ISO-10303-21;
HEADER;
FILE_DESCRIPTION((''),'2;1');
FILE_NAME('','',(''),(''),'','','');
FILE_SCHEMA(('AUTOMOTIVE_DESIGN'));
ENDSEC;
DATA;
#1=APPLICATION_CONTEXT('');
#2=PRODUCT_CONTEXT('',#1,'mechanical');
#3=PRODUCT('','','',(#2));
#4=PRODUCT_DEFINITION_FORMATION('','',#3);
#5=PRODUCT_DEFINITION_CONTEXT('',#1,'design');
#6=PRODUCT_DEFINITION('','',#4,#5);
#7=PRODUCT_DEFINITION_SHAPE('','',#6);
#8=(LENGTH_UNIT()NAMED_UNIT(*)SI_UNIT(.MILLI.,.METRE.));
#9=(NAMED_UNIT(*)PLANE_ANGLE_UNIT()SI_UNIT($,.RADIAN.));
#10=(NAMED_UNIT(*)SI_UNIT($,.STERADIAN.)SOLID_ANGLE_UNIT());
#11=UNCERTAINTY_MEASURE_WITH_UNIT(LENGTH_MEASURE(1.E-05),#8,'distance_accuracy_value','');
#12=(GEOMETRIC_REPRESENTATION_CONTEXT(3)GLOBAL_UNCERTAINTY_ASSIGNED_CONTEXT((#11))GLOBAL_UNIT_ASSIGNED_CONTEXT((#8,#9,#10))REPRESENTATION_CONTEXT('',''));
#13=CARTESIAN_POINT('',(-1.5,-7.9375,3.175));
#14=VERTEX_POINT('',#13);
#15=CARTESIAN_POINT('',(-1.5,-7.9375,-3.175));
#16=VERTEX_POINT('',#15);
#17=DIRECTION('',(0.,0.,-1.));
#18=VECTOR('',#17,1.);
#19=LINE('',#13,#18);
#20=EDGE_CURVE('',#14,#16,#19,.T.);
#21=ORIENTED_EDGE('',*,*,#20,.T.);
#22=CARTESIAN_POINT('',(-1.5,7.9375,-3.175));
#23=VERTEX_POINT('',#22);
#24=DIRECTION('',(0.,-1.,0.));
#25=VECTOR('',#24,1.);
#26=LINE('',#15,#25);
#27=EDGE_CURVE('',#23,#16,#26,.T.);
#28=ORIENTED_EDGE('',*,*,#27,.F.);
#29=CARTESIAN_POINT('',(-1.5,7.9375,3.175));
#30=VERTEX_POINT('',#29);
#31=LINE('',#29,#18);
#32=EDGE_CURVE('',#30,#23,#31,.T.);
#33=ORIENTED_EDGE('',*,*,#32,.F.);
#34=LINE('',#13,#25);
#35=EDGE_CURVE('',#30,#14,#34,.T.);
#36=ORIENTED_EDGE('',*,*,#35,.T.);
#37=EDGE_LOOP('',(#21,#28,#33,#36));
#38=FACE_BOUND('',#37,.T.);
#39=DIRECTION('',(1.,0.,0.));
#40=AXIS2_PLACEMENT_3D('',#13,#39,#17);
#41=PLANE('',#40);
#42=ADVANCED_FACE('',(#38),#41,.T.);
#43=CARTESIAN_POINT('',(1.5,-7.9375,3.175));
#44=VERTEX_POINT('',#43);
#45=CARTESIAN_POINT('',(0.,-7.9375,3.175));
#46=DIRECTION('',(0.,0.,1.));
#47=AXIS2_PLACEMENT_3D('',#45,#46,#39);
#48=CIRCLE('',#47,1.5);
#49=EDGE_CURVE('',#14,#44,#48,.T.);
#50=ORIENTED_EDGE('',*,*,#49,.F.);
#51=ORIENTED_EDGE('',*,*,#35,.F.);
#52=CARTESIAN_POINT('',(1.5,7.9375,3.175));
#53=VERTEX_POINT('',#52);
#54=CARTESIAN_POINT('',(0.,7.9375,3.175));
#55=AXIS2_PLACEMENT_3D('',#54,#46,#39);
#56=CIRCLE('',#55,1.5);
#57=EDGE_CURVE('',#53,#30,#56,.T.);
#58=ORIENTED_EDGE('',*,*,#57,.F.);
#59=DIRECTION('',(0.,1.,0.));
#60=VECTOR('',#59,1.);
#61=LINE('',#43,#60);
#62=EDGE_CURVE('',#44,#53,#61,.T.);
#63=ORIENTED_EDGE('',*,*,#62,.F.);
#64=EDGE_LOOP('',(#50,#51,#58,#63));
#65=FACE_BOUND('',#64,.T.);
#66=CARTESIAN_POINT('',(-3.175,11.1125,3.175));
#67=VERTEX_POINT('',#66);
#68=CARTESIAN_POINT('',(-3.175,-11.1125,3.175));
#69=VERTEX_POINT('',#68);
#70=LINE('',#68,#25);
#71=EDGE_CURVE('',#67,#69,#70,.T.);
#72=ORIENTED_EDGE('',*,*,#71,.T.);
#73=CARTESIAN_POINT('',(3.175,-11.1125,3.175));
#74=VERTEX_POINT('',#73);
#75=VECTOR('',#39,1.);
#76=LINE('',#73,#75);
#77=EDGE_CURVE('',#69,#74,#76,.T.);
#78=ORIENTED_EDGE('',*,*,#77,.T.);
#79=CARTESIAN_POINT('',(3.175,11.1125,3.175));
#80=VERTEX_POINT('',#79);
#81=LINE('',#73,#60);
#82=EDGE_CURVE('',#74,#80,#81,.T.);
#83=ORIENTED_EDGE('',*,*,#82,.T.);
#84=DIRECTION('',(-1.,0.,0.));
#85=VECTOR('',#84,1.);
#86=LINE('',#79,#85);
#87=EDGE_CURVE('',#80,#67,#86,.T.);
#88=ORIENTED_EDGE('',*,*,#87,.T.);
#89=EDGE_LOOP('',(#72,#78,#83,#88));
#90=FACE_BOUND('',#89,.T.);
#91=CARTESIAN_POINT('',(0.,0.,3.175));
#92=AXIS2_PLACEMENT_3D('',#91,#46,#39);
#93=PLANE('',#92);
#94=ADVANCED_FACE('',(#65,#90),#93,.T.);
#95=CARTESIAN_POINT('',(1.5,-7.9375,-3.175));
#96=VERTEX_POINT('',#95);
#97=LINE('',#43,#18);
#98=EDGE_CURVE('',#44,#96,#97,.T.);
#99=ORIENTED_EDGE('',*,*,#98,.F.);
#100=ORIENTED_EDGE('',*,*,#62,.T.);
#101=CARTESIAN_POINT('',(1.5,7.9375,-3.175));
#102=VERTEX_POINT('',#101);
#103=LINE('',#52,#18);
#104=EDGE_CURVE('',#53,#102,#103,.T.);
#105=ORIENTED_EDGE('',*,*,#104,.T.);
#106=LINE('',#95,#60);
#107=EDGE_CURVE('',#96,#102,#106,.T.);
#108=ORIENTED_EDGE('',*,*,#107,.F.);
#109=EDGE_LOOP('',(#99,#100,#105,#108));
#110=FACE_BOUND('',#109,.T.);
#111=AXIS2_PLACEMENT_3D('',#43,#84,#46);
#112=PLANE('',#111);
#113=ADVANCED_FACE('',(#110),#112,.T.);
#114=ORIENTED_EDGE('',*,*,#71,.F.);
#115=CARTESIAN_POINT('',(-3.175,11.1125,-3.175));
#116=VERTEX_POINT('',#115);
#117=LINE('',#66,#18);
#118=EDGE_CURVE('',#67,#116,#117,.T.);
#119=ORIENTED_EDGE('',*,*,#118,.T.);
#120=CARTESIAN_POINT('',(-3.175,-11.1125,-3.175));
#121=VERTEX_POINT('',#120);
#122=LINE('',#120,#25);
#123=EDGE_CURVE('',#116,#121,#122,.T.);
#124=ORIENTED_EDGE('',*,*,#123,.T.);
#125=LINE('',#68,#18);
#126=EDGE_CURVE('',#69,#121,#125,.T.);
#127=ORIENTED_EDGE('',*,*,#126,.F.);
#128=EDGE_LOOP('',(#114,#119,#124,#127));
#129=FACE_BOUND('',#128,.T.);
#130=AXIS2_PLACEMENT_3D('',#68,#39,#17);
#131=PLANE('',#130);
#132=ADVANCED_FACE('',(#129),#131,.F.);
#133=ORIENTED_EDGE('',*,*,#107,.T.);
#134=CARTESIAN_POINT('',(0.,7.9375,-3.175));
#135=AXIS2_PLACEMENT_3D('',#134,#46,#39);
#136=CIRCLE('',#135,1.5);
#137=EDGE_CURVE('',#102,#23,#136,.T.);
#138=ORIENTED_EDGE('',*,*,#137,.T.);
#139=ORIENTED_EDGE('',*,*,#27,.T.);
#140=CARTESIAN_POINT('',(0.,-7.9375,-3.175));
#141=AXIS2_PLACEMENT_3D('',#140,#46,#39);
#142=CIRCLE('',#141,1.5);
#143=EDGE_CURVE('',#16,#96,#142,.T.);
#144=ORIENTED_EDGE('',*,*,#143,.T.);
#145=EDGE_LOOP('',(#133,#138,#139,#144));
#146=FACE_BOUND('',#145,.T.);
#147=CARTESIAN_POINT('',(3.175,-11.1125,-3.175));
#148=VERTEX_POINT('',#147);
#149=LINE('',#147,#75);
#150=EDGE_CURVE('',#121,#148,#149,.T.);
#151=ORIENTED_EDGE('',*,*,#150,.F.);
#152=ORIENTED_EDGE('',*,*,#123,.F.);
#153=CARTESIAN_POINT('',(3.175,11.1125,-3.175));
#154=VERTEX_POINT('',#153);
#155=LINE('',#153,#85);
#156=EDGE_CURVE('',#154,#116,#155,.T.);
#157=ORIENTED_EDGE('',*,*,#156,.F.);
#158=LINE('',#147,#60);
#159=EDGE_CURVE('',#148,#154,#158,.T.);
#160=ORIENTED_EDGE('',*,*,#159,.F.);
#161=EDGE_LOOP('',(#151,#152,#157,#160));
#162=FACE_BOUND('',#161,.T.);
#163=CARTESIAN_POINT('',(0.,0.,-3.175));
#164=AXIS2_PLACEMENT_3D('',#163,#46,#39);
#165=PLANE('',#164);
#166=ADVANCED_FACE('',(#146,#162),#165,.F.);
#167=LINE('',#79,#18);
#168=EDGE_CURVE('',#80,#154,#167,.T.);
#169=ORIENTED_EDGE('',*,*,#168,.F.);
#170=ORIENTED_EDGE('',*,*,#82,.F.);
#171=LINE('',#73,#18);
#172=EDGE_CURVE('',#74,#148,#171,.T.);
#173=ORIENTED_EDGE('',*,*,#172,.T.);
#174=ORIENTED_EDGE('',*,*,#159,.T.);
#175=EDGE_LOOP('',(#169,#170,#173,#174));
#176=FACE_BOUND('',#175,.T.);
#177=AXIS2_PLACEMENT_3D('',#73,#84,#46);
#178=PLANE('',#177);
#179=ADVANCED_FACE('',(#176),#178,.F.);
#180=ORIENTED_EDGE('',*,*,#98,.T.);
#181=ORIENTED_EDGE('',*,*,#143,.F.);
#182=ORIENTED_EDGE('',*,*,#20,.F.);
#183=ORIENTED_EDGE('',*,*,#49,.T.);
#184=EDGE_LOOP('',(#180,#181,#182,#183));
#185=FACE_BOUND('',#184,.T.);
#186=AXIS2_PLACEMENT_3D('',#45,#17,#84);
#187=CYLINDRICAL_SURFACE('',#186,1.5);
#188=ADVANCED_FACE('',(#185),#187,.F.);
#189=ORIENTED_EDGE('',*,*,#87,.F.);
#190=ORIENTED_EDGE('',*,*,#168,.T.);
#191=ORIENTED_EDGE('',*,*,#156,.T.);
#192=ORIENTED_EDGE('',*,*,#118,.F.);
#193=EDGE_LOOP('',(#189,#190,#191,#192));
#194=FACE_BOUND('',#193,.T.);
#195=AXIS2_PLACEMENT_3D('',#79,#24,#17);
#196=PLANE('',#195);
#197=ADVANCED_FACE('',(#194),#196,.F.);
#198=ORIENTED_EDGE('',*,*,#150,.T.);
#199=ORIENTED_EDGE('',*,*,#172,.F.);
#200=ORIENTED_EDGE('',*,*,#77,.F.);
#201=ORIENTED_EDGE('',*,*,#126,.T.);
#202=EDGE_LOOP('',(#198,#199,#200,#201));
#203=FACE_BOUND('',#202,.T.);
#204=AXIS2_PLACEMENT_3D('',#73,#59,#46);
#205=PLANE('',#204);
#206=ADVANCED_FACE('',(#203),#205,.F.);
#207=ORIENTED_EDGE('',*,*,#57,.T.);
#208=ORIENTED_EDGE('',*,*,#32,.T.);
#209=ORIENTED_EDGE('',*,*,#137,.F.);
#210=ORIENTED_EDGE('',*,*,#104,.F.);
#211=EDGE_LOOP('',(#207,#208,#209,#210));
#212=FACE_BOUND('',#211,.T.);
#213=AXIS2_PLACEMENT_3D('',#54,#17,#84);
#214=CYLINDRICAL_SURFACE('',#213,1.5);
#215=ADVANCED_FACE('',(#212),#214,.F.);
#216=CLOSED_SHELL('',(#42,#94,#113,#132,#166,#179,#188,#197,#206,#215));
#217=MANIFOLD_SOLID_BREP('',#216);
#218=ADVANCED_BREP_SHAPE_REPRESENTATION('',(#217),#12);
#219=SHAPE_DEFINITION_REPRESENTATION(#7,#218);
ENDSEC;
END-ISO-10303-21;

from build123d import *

# Parameters (mm, degrees)
SKETCH1_W           = 6.35
SKETCH1_H           = 22.225
BOSS_EXTRUDE1_DEPTH = 3.175


with BuildPart() as part:
    # Sketch1 → Boss-Extrude1 (new, symmetric)
    with BuildSketch(Plane.XY):
        Rectangle(SKETCH1_W, SKETCH1_H)
        with BuildLine():
            Line((-1.5, -7.9375), (-1.5, 7.9375))
            ThreePointArc((-1.5, 7.9375), (0, 9.4375), (1.5, 7.9375))
            Line((1.5, 7.9375), (1.5, -7.9375))
            ThreePointArc((1.5, -7.9375), (0, -9.4375), (-1.5, -7.9375))
        make_face(mode=Mode.SUBTRACT)
    extrude(amount=BOSS_EXTRUDE1_DEPTH, both=True)


solid = part.part
